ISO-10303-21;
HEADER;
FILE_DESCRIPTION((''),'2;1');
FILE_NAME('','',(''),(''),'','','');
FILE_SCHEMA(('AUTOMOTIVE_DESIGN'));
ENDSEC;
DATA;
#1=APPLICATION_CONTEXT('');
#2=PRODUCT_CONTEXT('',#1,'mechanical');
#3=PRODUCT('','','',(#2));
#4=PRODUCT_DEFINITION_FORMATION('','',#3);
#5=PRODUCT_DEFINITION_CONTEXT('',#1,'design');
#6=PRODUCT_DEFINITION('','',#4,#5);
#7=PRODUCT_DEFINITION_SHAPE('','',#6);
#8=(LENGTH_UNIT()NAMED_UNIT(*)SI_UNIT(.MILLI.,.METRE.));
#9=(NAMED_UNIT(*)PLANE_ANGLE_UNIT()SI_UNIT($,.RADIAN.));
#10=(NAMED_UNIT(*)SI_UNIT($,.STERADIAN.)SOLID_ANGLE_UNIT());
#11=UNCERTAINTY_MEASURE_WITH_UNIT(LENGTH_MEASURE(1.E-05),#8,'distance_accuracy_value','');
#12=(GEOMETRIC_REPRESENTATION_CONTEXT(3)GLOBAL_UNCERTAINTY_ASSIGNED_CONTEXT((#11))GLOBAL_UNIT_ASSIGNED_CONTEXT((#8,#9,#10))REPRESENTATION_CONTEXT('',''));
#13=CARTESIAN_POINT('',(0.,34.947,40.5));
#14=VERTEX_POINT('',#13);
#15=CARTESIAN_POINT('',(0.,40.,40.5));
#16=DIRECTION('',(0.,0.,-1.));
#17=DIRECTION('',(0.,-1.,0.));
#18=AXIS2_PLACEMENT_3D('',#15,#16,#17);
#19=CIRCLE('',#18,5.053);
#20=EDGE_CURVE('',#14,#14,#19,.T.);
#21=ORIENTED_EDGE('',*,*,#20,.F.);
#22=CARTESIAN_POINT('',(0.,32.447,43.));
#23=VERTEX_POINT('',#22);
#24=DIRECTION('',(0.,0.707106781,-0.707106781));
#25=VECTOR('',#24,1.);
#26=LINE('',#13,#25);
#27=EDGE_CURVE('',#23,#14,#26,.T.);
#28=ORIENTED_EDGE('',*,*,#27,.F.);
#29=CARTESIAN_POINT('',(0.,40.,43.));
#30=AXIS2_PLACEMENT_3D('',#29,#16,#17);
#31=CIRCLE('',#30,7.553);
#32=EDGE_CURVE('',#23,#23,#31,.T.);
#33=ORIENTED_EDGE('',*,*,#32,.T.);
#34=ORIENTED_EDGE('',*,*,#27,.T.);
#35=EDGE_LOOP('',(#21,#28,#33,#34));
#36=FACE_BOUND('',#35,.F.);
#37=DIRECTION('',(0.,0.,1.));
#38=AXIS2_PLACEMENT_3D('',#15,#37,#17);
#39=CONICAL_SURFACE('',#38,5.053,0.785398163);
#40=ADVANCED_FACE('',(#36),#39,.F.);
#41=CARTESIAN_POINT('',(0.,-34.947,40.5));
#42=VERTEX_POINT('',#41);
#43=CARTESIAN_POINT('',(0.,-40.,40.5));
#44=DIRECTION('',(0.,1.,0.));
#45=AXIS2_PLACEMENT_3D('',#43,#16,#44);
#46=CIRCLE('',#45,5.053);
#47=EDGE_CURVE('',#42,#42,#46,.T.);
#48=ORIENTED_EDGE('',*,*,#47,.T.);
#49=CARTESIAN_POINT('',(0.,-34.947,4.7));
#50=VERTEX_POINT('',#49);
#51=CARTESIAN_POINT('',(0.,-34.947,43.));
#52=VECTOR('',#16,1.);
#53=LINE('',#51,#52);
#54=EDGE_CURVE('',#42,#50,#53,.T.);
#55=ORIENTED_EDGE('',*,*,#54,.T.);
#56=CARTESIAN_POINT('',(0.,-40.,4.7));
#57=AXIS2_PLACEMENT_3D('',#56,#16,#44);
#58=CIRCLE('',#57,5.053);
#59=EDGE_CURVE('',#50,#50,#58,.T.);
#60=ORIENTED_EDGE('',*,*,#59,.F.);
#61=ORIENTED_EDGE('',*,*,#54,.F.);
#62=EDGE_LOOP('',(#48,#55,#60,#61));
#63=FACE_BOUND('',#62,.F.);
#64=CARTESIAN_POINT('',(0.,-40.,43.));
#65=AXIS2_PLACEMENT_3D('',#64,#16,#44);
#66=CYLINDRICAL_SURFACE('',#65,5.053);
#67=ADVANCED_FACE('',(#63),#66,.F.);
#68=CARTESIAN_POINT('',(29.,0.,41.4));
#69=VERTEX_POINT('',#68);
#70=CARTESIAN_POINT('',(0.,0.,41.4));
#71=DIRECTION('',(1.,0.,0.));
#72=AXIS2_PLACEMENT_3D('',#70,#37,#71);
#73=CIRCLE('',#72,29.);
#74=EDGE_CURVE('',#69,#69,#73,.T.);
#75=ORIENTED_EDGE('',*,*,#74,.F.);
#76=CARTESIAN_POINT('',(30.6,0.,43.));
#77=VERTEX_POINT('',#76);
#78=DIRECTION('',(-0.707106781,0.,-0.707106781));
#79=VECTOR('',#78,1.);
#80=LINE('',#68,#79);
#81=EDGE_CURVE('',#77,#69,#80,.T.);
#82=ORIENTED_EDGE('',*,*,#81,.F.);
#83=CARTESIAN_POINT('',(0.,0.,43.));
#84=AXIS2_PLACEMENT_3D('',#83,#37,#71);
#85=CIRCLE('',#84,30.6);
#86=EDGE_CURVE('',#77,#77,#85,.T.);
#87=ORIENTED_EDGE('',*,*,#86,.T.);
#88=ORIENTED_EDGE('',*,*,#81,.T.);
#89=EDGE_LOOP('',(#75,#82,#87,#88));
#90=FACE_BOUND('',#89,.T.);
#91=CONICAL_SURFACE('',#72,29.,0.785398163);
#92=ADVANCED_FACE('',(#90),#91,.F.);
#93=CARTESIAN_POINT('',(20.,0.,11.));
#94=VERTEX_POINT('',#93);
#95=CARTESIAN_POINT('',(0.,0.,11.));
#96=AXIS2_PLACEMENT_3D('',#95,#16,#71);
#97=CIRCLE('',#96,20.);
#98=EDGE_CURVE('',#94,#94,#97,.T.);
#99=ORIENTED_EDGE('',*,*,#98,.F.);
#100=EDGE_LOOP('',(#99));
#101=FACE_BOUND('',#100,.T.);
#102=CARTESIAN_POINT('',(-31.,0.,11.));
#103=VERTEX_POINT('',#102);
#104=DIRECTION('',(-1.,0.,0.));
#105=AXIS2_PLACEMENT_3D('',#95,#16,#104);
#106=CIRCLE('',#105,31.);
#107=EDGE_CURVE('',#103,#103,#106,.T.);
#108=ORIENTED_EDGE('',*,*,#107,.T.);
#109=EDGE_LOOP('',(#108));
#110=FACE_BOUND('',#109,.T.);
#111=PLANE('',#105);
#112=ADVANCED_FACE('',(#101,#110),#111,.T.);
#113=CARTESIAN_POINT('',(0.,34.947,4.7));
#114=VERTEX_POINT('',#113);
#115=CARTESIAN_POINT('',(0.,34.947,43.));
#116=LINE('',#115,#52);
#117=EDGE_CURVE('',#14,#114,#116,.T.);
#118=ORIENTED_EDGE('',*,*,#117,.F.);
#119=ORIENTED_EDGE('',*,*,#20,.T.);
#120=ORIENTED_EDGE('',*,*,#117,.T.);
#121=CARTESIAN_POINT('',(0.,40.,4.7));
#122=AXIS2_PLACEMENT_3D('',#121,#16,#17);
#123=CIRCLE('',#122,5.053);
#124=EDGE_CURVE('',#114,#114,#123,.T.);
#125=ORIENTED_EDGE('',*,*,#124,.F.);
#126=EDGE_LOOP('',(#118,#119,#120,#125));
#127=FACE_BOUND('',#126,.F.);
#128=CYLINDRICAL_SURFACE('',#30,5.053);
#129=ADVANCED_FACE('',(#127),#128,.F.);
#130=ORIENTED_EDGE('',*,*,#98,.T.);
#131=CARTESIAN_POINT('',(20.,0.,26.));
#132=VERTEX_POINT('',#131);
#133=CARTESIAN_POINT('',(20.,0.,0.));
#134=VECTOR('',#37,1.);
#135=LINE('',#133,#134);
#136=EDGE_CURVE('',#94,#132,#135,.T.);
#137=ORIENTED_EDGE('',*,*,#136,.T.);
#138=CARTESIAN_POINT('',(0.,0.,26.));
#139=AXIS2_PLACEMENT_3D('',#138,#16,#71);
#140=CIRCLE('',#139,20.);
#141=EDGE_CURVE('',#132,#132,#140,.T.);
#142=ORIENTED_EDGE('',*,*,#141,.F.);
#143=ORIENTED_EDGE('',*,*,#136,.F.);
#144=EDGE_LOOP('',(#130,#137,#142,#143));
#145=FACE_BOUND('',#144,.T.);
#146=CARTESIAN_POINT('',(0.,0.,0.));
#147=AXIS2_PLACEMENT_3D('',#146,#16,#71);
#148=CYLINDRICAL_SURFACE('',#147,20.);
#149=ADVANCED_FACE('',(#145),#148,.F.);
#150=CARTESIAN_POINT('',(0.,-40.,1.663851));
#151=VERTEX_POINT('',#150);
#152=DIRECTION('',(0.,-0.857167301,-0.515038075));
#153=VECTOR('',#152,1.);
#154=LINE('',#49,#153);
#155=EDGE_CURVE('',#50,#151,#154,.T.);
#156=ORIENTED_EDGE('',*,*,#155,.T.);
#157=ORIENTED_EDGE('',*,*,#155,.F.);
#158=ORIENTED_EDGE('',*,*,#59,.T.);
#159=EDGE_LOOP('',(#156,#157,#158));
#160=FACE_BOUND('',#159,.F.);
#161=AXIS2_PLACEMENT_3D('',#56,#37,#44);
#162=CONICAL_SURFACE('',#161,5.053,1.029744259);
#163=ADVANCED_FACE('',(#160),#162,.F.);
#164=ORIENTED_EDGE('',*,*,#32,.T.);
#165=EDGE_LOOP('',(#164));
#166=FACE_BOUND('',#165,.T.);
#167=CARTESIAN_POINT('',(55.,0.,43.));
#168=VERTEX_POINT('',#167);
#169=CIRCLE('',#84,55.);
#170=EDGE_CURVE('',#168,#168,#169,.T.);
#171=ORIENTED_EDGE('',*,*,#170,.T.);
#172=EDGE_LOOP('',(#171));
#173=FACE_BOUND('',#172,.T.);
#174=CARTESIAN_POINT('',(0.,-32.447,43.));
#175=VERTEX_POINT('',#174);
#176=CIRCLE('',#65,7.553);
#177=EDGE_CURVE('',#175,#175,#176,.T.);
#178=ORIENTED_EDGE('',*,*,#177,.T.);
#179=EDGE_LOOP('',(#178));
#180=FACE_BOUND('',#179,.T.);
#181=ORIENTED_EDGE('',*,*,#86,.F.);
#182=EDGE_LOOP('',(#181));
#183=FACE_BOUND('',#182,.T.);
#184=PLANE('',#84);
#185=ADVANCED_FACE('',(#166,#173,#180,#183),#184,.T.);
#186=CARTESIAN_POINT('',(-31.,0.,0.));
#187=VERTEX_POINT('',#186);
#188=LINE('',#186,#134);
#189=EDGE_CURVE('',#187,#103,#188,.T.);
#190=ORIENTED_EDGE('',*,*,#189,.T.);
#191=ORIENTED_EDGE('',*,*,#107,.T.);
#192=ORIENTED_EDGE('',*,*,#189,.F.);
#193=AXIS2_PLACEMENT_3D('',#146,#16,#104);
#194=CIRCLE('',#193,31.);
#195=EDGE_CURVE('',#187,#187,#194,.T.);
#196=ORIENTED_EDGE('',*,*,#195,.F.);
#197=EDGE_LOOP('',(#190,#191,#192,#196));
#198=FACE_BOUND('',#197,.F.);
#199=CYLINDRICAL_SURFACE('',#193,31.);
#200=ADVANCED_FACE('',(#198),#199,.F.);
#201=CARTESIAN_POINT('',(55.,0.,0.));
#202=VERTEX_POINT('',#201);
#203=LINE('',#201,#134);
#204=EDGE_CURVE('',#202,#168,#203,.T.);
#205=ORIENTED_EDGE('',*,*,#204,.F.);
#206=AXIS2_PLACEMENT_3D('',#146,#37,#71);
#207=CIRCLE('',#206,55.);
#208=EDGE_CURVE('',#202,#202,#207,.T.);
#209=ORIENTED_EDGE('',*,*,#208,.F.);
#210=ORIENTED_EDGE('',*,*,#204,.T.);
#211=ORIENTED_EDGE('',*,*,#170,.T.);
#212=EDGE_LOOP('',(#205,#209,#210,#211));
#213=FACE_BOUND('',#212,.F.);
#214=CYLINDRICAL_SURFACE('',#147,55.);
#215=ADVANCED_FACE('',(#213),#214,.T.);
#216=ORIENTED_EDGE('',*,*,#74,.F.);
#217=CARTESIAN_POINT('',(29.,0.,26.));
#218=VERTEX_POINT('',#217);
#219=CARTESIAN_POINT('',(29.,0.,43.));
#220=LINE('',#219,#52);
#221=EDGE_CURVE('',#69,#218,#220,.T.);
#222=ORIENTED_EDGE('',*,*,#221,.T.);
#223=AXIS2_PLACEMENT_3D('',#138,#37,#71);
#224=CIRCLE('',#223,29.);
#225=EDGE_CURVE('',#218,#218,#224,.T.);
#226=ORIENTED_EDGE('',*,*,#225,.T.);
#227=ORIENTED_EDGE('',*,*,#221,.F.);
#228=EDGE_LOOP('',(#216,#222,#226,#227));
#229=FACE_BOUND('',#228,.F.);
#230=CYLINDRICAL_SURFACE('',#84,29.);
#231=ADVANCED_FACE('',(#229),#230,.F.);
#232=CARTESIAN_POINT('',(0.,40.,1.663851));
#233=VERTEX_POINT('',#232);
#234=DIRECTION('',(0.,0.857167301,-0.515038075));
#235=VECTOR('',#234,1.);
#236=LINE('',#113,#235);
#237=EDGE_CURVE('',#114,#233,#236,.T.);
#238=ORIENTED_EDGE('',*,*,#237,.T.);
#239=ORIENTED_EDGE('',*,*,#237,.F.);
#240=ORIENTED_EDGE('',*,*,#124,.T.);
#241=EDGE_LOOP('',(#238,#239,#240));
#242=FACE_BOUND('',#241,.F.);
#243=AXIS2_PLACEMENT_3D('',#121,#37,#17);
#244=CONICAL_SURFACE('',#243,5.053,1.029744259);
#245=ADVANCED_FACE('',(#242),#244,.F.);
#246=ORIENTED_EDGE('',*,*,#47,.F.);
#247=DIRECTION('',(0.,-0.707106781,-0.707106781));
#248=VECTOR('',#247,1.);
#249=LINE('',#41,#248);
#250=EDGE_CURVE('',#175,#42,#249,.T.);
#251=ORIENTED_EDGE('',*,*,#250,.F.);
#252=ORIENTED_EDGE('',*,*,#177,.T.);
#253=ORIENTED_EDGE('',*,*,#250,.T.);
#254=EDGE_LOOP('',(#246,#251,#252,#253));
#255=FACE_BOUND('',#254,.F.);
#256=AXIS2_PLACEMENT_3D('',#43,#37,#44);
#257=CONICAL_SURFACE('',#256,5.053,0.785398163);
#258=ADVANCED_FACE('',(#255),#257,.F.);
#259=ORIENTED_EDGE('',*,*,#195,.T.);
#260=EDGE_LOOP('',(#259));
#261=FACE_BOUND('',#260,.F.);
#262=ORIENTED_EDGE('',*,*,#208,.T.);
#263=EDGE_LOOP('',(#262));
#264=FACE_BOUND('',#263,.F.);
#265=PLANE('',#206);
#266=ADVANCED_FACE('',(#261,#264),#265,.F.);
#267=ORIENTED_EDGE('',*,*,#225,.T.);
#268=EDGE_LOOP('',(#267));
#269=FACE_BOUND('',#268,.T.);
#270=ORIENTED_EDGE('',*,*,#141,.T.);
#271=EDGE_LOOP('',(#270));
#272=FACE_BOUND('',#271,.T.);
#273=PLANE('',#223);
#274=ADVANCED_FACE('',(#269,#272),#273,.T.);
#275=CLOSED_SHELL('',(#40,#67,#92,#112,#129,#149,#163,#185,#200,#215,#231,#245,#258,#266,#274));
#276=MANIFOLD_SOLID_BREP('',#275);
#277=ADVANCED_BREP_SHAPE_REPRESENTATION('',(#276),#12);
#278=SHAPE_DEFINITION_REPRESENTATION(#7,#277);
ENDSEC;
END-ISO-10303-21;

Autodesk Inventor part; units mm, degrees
ref_plane "YZ Plane" through (0, 0, 0) normal (1, 0, 0) x (0, 1, 0)
ref_plane "XZ Plane" through (0, 0, 0) normal (0, 1, 0) x (-1, 0, 0)
ref_plane "XY Plane" through (0, 0, 0) normal (0, 0, 1) x (1, 0, 0)
sketch "Эскиз1" plane through (0, 0, 0) normal (0, 0, 1) x (1, 0, 0)
  circle A0 centre (0, 0) radius 55
  circle A1 centre (0, 0) radius 20
  dimension "d0" = 110
  dimension "d1" = 40
extrude "Выдавливание1" add sketch "Эскиз1" along normal blind 43
sketch "Эскиз2" plane through (0, 0, 43) normal (0, 0, 1) x (1, 0, 0)
  circle A0 centre (0, 0) radius 55 projected
  circle A1 centre (0, 0) radius 29
  dimension "d6" = 58
extrude "Выдавливание2" cut sketch "Эскиз2" against normal blind 17 contours A1
sketch "Эскиз3" plane through (0, 0, 0) normal (0, 0, -1) x (-1, 0, 0)
  circle A0 centre (0, 0) radius 31
  dimension "d9" = 62
extrude "Выдавливание3" cut sketch "Эскиз3" against normal blind 11
sketch "Эскиз4" plane through (0, 0, 43) normal (0, 0, 1) x (1, 0, 0)
  circle A0 centre (0, 0) radius 40
  line L0 (0, 0) -> (0, 40)
  circle A1 centre (0, 0) radius 55 projected
  dimension "d12" = 80
hole "Отверстие1" at (0, 40, 43) direction (0, 0, -1) diameter 10.106 depth 38.3 tip angle 118 thread size "M12x1.75" class "6H" standard "ANSI Metric M Profile"
pattern_circular "Круговой массив1" count 2 over 360 about axis through (0, 0, 11) along (0, 0, -1) of "Отверстие1"
chamfer "Фаска2" distance 1.6 angle 45 1 edges at (-29, 0, 43)
chamfer "Фаска3" distance 2.5 angle 45 2 edges at (0, 45.053, 43) (0, -45.053, 43)
sketch "Эскиз5" plane through (0, 0, 43) normal (0, 0, 1) x (1, 0, 0)
  point P0 (0, 40)
  point P1 (-62.4077, 41.077)
properties part number "Корпус"
